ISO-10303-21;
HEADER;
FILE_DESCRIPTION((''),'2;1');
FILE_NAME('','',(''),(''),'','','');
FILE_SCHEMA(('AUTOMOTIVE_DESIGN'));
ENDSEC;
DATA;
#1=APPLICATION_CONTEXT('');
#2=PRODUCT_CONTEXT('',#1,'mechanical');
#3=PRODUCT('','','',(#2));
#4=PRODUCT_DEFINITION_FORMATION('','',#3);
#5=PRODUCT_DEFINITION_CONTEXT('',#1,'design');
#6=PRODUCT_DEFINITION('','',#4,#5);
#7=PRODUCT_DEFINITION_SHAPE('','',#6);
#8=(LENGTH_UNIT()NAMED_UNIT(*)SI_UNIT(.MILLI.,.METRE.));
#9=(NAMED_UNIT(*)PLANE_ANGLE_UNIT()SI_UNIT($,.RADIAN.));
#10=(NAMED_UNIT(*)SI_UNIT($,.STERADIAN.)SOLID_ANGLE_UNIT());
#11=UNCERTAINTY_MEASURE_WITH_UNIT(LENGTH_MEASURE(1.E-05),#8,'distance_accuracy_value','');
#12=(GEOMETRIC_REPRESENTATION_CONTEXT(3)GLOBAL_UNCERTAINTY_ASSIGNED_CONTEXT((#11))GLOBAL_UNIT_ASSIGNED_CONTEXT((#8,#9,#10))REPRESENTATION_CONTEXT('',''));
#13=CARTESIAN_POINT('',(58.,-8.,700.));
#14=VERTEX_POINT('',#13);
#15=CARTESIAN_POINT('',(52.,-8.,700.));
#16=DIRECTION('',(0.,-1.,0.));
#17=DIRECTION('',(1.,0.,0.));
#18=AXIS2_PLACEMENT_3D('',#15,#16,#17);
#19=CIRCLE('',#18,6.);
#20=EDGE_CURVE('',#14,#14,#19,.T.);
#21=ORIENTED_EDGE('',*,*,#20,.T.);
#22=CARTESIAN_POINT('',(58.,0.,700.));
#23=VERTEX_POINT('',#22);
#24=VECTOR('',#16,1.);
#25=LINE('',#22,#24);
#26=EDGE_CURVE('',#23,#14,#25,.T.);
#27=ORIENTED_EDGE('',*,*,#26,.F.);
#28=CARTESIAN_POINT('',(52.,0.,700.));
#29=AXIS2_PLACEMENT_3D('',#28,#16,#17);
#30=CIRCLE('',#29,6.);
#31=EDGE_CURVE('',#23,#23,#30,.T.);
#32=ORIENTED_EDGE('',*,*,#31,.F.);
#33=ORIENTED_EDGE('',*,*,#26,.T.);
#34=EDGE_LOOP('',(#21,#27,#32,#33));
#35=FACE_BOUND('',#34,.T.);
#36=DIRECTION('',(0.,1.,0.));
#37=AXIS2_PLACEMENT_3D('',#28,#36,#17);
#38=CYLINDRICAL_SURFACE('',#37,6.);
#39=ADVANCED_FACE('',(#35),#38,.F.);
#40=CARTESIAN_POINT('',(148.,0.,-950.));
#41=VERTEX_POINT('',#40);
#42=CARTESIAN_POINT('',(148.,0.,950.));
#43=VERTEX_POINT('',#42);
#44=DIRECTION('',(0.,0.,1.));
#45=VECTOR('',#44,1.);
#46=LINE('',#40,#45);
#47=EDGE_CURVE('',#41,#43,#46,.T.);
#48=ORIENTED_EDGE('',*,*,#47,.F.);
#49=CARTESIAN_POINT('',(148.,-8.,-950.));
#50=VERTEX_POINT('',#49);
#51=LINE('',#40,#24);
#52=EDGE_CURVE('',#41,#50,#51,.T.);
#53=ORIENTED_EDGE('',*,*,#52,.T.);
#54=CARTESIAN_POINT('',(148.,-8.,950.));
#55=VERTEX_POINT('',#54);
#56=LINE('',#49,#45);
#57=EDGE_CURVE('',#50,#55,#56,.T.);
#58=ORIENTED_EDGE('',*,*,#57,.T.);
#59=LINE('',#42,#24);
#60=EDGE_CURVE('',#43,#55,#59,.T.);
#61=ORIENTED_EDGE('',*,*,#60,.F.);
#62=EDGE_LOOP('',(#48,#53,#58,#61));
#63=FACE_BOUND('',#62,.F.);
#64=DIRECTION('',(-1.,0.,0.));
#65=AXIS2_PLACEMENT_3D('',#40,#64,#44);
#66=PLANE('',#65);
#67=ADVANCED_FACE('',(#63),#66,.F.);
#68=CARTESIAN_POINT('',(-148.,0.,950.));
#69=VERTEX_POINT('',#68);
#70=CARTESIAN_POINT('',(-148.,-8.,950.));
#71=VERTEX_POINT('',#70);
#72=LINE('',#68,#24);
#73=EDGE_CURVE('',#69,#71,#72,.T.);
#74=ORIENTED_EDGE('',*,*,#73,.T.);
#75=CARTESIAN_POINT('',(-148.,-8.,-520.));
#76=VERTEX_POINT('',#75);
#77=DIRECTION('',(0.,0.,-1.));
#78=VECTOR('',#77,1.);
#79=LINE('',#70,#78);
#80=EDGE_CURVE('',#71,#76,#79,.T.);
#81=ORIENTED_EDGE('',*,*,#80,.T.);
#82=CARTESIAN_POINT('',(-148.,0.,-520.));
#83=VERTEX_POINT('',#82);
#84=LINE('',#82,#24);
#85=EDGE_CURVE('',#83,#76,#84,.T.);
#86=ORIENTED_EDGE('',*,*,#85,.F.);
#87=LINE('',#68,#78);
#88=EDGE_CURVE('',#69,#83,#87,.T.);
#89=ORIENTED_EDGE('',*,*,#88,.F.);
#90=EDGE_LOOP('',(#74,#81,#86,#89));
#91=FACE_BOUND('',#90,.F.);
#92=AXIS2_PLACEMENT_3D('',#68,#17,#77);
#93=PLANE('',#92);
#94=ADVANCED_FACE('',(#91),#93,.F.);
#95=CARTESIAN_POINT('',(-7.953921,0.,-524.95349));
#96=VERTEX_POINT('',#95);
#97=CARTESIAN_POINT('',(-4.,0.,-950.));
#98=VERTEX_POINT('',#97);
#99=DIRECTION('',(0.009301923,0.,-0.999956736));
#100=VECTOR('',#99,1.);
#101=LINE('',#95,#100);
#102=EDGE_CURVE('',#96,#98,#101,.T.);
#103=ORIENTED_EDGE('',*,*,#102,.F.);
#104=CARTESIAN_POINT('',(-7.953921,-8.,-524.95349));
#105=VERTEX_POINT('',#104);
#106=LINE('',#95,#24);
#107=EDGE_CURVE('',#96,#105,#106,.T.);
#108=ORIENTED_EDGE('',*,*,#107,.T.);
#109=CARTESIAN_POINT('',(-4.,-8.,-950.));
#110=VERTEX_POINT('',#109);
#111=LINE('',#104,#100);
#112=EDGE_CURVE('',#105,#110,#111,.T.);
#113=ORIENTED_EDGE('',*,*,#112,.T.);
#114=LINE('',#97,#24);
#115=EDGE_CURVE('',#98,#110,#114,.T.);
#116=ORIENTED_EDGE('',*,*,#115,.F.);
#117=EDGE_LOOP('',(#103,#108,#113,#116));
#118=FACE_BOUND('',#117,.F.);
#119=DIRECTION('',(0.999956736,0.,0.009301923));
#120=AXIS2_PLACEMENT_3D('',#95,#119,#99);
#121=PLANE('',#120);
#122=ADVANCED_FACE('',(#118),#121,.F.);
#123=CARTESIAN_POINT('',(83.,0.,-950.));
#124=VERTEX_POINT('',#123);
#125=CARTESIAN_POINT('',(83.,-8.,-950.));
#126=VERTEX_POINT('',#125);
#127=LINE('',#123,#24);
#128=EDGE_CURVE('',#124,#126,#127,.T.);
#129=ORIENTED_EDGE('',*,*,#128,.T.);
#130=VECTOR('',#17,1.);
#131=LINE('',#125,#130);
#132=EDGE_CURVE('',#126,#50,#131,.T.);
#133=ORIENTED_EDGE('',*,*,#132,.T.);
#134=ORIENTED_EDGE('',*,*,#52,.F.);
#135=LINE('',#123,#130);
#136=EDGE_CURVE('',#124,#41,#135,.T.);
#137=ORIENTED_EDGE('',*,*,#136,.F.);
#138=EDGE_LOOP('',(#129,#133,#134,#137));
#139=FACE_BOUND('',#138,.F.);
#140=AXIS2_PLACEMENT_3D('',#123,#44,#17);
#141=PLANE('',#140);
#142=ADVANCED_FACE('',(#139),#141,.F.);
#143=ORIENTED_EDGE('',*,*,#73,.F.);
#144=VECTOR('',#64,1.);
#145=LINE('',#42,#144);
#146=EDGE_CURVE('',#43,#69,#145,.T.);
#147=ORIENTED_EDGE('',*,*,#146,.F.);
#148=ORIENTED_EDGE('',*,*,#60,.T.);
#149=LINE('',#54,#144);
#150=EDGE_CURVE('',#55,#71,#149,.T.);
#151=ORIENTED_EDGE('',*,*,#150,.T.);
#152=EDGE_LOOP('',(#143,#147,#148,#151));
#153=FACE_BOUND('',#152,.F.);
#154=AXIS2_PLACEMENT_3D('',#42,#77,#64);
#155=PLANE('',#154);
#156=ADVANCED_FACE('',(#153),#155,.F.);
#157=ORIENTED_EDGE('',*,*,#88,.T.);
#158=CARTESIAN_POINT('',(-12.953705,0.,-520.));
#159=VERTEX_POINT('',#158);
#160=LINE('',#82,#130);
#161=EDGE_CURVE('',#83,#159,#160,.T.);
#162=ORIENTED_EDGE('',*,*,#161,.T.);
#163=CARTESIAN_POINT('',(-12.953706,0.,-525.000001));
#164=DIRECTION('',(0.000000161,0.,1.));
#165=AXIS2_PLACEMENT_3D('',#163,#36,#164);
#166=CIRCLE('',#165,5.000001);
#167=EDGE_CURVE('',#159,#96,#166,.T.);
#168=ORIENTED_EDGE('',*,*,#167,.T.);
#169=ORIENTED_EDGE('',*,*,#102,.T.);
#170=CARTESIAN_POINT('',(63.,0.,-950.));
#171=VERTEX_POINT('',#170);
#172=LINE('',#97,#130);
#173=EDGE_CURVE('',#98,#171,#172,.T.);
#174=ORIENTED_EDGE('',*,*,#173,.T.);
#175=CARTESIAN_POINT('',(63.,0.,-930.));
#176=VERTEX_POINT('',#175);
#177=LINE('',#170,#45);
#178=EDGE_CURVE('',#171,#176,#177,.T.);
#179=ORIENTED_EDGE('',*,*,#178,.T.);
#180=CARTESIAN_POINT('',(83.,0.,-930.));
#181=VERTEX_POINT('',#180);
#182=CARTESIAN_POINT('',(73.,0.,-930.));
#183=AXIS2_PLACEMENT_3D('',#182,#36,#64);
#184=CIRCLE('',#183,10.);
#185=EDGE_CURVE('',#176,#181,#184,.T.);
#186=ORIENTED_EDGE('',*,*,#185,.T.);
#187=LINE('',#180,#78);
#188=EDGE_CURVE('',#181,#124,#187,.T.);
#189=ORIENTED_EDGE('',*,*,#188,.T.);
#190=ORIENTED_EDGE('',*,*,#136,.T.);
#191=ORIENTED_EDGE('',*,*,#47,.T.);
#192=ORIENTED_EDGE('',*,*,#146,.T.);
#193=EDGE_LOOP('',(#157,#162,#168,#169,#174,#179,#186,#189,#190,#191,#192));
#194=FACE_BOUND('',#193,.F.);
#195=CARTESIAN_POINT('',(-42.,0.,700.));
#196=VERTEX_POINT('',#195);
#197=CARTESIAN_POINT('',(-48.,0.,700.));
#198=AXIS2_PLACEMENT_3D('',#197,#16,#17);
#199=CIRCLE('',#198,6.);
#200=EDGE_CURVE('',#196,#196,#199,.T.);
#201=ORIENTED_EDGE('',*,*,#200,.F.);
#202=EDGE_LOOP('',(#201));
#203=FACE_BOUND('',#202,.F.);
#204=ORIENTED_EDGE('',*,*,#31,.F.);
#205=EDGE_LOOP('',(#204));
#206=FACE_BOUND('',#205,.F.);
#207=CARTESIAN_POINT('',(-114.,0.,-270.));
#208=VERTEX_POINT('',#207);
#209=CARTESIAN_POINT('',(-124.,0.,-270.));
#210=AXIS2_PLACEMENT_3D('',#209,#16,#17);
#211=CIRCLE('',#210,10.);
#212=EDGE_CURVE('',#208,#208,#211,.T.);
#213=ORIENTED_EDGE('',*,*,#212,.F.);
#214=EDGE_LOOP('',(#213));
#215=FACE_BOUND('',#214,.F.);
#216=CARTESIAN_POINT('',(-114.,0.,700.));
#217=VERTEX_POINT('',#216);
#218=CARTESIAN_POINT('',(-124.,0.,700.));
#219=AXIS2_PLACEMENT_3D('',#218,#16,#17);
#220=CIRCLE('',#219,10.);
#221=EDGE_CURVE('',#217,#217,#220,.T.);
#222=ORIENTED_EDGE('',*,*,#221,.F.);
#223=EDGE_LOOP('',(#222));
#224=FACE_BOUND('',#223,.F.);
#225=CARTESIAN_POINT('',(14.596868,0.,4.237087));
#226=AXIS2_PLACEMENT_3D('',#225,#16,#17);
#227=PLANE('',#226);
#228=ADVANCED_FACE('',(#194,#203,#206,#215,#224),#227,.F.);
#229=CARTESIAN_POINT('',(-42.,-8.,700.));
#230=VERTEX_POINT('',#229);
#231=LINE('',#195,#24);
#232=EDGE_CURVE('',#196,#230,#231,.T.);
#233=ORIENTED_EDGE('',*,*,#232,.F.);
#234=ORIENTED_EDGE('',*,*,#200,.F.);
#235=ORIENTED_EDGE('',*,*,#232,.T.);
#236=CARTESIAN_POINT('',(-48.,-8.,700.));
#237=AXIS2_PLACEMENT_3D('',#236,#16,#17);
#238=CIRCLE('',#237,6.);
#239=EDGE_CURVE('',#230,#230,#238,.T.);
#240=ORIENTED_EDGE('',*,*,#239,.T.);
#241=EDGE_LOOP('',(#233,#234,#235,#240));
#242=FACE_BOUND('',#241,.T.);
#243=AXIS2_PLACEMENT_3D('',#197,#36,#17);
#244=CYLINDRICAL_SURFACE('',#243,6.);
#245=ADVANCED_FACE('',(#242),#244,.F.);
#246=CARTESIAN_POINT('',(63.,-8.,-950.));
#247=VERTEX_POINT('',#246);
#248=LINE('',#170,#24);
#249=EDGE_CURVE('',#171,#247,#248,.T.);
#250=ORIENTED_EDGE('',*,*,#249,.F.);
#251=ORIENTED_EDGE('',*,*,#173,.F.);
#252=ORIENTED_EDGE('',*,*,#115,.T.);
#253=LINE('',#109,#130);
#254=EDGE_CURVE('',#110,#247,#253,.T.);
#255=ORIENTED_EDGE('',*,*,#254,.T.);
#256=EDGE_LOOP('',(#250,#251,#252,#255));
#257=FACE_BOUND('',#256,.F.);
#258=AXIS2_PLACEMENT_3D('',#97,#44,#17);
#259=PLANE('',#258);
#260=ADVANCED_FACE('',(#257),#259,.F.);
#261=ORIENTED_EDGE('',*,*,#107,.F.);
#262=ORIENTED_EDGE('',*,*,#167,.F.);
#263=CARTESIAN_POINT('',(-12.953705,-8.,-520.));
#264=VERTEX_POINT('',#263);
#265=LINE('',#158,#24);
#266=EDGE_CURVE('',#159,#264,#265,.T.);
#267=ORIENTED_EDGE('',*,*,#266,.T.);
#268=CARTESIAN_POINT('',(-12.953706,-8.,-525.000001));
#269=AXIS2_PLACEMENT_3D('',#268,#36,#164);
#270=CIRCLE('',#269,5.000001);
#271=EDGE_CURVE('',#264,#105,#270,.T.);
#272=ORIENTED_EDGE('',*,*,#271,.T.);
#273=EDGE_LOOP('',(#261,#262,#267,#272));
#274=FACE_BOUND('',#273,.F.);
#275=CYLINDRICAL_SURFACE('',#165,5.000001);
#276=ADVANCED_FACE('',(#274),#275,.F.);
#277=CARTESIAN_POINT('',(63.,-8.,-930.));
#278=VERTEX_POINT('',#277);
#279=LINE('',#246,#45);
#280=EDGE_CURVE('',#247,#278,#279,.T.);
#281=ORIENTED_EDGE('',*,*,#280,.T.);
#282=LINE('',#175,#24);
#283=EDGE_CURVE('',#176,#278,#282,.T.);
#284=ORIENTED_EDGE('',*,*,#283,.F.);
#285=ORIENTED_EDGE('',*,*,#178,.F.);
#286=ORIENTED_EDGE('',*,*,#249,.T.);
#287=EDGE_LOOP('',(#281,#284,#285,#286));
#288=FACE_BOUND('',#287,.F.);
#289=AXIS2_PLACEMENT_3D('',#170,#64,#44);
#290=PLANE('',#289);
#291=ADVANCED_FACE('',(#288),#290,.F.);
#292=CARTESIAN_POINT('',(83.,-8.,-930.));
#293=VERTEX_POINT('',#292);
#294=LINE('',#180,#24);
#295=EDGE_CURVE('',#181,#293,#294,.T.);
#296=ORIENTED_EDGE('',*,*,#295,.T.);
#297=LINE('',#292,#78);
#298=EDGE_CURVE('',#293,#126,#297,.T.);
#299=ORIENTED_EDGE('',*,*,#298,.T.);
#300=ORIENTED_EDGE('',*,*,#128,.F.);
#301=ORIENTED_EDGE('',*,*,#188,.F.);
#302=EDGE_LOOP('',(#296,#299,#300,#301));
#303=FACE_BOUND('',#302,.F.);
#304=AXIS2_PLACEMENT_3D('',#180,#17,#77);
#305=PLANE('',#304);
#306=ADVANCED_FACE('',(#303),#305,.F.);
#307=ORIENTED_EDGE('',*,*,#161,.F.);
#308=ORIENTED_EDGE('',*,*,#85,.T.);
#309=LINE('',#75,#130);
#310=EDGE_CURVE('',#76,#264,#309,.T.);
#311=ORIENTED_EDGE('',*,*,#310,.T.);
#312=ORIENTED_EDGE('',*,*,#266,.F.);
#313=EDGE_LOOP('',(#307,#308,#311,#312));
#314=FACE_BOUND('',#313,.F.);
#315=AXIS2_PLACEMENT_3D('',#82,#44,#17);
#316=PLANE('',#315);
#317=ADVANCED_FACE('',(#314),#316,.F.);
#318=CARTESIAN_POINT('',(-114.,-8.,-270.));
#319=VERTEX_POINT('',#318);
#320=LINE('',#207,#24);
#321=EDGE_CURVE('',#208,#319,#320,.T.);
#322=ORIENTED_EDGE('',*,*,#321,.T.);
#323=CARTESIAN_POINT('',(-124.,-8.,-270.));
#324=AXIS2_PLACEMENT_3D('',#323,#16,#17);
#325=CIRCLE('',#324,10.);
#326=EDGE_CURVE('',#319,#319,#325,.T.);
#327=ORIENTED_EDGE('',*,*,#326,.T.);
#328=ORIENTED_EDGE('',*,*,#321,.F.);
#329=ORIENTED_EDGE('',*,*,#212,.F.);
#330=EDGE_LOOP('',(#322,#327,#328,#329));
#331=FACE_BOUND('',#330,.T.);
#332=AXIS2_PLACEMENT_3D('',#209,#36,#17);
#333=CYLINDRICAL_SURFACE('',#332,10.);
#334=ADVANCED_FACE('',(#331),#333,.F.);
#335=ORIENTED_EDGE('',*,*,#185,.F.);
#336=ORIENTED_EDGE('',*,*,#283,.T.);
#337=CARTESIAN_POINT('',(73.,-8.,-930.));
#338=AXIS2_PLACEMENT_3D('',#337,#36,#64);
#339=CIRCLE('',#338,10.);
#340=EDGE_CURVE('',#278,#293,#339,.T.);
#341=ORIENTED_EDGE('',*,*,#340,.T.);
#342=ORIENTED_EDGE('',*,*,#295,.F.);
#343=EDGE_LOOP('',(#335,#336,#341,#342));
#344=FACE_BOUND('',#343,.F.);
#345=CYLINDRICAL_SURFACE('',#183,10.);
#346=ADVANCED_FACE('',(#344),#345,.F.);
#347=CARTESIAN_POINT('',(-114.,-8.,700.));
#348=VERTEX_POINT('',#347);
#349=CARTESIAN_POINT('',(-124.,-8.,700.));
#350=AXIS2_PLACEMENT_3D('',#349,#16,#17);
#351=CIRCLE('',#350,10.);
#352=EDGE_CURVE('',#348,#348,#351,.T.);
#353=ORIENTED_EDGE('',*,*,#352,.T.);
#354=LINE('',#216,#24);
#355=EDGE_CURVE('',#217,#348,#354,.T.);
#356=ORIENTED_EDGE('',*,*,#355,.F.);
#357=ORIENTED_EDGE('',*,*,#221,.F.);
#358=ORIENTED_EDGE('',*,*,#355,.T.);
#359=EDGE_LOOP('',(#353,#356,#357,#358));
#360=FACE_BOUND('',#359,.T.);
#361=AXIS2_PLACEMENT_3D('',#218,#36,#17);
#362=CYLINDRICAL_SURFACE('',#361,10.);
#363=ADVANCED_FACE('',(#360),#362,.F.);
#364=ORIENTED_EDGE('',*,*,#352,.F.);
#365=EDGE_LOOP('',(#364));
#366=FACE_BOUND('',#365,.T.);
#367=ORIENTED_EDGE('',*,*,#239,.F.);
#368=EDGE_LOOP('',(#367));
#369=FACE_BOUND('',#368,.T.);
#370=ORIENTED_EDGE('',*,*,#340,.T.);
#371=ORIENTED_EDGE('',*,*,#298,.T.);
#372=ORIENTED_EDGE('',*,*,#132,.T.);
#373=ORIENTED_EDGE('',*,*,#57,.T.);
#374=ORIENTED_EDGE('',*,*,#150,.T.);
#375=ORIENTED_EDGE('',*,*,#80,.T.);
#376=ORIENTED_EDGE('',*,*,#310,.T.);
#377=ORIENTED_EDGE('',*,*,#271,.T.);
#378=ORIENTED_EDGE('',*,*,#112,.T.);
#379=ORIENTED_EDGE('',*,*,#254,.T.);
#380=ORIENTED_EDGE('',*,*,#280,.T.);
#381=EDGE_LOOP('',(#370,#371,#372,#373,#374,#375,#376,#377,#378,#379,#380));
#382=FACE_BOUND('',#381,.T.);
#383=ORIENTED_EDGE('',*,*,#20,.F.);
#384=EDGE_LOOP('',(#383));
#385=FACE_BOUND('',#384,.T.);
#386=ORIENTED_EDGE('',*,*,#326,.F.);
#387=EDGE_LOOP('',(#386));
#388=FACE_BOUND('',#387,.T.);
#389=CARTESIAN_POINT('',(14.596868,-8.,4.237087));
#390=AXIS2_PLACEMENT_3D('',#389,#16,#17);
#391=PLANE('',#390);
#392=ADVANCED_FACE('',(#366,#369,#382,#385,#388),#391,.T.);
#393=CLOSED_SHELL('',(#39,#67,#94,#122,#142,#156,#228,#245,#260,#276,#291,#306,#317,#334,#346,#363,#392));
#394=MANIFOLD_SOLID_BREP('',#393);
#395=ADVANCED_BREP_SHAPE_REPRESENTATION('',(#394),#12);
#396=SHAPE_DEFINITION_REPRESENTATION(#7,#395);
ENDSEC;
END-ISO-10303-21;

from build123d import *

# Parameters (mm, degrees)
F0_R     = 10
F0_R_2   = 6
F1_DEPTH = 8


with BuildPart() as f1:
    # F0 (on Front) → F1 (new body)
    with BuildSketch(Plane.XZ):
        with BuildLine():
            Line((148, 950), (-148, 950))
            Line((-148, 950), (-148, -520))
            Line((-148, -520), (-12.953705, -520))
            ThreePointArc((-12.953705, -520), (-9.434653, -521.448061), (-7.953921, -524.95349))
            Line((-7.953921, -524.95349), (-4, -950))
            Line((-4, -950), (63, -950))
            Line((63, -950), (63, -930))
            ThreePointArc((63, -930), (73, -920), (83, -930))
            Line((83, -930), (83, -950))
            Line((83, -950), (148, -950))
            Line((148, -950), (148, 950))
        make_face()
        with Locations((-124, -270)):
            Circle(F0_R, mode=Mode.SUBTRACT)
        with Locations((-124, 700)):
            Circle(F0_R, mode=Mode.SUBTRACT)
        with Locations((-48, 700)):
            Circle(F0_R_2, mode=Mode.SUBTRACT)
        with Locations((52, 700)):
            Circle(F0_R_2, mode=Mode.SUBTRACT)
    extrude(amount=F1_DEPTH)


solid = f1.part
